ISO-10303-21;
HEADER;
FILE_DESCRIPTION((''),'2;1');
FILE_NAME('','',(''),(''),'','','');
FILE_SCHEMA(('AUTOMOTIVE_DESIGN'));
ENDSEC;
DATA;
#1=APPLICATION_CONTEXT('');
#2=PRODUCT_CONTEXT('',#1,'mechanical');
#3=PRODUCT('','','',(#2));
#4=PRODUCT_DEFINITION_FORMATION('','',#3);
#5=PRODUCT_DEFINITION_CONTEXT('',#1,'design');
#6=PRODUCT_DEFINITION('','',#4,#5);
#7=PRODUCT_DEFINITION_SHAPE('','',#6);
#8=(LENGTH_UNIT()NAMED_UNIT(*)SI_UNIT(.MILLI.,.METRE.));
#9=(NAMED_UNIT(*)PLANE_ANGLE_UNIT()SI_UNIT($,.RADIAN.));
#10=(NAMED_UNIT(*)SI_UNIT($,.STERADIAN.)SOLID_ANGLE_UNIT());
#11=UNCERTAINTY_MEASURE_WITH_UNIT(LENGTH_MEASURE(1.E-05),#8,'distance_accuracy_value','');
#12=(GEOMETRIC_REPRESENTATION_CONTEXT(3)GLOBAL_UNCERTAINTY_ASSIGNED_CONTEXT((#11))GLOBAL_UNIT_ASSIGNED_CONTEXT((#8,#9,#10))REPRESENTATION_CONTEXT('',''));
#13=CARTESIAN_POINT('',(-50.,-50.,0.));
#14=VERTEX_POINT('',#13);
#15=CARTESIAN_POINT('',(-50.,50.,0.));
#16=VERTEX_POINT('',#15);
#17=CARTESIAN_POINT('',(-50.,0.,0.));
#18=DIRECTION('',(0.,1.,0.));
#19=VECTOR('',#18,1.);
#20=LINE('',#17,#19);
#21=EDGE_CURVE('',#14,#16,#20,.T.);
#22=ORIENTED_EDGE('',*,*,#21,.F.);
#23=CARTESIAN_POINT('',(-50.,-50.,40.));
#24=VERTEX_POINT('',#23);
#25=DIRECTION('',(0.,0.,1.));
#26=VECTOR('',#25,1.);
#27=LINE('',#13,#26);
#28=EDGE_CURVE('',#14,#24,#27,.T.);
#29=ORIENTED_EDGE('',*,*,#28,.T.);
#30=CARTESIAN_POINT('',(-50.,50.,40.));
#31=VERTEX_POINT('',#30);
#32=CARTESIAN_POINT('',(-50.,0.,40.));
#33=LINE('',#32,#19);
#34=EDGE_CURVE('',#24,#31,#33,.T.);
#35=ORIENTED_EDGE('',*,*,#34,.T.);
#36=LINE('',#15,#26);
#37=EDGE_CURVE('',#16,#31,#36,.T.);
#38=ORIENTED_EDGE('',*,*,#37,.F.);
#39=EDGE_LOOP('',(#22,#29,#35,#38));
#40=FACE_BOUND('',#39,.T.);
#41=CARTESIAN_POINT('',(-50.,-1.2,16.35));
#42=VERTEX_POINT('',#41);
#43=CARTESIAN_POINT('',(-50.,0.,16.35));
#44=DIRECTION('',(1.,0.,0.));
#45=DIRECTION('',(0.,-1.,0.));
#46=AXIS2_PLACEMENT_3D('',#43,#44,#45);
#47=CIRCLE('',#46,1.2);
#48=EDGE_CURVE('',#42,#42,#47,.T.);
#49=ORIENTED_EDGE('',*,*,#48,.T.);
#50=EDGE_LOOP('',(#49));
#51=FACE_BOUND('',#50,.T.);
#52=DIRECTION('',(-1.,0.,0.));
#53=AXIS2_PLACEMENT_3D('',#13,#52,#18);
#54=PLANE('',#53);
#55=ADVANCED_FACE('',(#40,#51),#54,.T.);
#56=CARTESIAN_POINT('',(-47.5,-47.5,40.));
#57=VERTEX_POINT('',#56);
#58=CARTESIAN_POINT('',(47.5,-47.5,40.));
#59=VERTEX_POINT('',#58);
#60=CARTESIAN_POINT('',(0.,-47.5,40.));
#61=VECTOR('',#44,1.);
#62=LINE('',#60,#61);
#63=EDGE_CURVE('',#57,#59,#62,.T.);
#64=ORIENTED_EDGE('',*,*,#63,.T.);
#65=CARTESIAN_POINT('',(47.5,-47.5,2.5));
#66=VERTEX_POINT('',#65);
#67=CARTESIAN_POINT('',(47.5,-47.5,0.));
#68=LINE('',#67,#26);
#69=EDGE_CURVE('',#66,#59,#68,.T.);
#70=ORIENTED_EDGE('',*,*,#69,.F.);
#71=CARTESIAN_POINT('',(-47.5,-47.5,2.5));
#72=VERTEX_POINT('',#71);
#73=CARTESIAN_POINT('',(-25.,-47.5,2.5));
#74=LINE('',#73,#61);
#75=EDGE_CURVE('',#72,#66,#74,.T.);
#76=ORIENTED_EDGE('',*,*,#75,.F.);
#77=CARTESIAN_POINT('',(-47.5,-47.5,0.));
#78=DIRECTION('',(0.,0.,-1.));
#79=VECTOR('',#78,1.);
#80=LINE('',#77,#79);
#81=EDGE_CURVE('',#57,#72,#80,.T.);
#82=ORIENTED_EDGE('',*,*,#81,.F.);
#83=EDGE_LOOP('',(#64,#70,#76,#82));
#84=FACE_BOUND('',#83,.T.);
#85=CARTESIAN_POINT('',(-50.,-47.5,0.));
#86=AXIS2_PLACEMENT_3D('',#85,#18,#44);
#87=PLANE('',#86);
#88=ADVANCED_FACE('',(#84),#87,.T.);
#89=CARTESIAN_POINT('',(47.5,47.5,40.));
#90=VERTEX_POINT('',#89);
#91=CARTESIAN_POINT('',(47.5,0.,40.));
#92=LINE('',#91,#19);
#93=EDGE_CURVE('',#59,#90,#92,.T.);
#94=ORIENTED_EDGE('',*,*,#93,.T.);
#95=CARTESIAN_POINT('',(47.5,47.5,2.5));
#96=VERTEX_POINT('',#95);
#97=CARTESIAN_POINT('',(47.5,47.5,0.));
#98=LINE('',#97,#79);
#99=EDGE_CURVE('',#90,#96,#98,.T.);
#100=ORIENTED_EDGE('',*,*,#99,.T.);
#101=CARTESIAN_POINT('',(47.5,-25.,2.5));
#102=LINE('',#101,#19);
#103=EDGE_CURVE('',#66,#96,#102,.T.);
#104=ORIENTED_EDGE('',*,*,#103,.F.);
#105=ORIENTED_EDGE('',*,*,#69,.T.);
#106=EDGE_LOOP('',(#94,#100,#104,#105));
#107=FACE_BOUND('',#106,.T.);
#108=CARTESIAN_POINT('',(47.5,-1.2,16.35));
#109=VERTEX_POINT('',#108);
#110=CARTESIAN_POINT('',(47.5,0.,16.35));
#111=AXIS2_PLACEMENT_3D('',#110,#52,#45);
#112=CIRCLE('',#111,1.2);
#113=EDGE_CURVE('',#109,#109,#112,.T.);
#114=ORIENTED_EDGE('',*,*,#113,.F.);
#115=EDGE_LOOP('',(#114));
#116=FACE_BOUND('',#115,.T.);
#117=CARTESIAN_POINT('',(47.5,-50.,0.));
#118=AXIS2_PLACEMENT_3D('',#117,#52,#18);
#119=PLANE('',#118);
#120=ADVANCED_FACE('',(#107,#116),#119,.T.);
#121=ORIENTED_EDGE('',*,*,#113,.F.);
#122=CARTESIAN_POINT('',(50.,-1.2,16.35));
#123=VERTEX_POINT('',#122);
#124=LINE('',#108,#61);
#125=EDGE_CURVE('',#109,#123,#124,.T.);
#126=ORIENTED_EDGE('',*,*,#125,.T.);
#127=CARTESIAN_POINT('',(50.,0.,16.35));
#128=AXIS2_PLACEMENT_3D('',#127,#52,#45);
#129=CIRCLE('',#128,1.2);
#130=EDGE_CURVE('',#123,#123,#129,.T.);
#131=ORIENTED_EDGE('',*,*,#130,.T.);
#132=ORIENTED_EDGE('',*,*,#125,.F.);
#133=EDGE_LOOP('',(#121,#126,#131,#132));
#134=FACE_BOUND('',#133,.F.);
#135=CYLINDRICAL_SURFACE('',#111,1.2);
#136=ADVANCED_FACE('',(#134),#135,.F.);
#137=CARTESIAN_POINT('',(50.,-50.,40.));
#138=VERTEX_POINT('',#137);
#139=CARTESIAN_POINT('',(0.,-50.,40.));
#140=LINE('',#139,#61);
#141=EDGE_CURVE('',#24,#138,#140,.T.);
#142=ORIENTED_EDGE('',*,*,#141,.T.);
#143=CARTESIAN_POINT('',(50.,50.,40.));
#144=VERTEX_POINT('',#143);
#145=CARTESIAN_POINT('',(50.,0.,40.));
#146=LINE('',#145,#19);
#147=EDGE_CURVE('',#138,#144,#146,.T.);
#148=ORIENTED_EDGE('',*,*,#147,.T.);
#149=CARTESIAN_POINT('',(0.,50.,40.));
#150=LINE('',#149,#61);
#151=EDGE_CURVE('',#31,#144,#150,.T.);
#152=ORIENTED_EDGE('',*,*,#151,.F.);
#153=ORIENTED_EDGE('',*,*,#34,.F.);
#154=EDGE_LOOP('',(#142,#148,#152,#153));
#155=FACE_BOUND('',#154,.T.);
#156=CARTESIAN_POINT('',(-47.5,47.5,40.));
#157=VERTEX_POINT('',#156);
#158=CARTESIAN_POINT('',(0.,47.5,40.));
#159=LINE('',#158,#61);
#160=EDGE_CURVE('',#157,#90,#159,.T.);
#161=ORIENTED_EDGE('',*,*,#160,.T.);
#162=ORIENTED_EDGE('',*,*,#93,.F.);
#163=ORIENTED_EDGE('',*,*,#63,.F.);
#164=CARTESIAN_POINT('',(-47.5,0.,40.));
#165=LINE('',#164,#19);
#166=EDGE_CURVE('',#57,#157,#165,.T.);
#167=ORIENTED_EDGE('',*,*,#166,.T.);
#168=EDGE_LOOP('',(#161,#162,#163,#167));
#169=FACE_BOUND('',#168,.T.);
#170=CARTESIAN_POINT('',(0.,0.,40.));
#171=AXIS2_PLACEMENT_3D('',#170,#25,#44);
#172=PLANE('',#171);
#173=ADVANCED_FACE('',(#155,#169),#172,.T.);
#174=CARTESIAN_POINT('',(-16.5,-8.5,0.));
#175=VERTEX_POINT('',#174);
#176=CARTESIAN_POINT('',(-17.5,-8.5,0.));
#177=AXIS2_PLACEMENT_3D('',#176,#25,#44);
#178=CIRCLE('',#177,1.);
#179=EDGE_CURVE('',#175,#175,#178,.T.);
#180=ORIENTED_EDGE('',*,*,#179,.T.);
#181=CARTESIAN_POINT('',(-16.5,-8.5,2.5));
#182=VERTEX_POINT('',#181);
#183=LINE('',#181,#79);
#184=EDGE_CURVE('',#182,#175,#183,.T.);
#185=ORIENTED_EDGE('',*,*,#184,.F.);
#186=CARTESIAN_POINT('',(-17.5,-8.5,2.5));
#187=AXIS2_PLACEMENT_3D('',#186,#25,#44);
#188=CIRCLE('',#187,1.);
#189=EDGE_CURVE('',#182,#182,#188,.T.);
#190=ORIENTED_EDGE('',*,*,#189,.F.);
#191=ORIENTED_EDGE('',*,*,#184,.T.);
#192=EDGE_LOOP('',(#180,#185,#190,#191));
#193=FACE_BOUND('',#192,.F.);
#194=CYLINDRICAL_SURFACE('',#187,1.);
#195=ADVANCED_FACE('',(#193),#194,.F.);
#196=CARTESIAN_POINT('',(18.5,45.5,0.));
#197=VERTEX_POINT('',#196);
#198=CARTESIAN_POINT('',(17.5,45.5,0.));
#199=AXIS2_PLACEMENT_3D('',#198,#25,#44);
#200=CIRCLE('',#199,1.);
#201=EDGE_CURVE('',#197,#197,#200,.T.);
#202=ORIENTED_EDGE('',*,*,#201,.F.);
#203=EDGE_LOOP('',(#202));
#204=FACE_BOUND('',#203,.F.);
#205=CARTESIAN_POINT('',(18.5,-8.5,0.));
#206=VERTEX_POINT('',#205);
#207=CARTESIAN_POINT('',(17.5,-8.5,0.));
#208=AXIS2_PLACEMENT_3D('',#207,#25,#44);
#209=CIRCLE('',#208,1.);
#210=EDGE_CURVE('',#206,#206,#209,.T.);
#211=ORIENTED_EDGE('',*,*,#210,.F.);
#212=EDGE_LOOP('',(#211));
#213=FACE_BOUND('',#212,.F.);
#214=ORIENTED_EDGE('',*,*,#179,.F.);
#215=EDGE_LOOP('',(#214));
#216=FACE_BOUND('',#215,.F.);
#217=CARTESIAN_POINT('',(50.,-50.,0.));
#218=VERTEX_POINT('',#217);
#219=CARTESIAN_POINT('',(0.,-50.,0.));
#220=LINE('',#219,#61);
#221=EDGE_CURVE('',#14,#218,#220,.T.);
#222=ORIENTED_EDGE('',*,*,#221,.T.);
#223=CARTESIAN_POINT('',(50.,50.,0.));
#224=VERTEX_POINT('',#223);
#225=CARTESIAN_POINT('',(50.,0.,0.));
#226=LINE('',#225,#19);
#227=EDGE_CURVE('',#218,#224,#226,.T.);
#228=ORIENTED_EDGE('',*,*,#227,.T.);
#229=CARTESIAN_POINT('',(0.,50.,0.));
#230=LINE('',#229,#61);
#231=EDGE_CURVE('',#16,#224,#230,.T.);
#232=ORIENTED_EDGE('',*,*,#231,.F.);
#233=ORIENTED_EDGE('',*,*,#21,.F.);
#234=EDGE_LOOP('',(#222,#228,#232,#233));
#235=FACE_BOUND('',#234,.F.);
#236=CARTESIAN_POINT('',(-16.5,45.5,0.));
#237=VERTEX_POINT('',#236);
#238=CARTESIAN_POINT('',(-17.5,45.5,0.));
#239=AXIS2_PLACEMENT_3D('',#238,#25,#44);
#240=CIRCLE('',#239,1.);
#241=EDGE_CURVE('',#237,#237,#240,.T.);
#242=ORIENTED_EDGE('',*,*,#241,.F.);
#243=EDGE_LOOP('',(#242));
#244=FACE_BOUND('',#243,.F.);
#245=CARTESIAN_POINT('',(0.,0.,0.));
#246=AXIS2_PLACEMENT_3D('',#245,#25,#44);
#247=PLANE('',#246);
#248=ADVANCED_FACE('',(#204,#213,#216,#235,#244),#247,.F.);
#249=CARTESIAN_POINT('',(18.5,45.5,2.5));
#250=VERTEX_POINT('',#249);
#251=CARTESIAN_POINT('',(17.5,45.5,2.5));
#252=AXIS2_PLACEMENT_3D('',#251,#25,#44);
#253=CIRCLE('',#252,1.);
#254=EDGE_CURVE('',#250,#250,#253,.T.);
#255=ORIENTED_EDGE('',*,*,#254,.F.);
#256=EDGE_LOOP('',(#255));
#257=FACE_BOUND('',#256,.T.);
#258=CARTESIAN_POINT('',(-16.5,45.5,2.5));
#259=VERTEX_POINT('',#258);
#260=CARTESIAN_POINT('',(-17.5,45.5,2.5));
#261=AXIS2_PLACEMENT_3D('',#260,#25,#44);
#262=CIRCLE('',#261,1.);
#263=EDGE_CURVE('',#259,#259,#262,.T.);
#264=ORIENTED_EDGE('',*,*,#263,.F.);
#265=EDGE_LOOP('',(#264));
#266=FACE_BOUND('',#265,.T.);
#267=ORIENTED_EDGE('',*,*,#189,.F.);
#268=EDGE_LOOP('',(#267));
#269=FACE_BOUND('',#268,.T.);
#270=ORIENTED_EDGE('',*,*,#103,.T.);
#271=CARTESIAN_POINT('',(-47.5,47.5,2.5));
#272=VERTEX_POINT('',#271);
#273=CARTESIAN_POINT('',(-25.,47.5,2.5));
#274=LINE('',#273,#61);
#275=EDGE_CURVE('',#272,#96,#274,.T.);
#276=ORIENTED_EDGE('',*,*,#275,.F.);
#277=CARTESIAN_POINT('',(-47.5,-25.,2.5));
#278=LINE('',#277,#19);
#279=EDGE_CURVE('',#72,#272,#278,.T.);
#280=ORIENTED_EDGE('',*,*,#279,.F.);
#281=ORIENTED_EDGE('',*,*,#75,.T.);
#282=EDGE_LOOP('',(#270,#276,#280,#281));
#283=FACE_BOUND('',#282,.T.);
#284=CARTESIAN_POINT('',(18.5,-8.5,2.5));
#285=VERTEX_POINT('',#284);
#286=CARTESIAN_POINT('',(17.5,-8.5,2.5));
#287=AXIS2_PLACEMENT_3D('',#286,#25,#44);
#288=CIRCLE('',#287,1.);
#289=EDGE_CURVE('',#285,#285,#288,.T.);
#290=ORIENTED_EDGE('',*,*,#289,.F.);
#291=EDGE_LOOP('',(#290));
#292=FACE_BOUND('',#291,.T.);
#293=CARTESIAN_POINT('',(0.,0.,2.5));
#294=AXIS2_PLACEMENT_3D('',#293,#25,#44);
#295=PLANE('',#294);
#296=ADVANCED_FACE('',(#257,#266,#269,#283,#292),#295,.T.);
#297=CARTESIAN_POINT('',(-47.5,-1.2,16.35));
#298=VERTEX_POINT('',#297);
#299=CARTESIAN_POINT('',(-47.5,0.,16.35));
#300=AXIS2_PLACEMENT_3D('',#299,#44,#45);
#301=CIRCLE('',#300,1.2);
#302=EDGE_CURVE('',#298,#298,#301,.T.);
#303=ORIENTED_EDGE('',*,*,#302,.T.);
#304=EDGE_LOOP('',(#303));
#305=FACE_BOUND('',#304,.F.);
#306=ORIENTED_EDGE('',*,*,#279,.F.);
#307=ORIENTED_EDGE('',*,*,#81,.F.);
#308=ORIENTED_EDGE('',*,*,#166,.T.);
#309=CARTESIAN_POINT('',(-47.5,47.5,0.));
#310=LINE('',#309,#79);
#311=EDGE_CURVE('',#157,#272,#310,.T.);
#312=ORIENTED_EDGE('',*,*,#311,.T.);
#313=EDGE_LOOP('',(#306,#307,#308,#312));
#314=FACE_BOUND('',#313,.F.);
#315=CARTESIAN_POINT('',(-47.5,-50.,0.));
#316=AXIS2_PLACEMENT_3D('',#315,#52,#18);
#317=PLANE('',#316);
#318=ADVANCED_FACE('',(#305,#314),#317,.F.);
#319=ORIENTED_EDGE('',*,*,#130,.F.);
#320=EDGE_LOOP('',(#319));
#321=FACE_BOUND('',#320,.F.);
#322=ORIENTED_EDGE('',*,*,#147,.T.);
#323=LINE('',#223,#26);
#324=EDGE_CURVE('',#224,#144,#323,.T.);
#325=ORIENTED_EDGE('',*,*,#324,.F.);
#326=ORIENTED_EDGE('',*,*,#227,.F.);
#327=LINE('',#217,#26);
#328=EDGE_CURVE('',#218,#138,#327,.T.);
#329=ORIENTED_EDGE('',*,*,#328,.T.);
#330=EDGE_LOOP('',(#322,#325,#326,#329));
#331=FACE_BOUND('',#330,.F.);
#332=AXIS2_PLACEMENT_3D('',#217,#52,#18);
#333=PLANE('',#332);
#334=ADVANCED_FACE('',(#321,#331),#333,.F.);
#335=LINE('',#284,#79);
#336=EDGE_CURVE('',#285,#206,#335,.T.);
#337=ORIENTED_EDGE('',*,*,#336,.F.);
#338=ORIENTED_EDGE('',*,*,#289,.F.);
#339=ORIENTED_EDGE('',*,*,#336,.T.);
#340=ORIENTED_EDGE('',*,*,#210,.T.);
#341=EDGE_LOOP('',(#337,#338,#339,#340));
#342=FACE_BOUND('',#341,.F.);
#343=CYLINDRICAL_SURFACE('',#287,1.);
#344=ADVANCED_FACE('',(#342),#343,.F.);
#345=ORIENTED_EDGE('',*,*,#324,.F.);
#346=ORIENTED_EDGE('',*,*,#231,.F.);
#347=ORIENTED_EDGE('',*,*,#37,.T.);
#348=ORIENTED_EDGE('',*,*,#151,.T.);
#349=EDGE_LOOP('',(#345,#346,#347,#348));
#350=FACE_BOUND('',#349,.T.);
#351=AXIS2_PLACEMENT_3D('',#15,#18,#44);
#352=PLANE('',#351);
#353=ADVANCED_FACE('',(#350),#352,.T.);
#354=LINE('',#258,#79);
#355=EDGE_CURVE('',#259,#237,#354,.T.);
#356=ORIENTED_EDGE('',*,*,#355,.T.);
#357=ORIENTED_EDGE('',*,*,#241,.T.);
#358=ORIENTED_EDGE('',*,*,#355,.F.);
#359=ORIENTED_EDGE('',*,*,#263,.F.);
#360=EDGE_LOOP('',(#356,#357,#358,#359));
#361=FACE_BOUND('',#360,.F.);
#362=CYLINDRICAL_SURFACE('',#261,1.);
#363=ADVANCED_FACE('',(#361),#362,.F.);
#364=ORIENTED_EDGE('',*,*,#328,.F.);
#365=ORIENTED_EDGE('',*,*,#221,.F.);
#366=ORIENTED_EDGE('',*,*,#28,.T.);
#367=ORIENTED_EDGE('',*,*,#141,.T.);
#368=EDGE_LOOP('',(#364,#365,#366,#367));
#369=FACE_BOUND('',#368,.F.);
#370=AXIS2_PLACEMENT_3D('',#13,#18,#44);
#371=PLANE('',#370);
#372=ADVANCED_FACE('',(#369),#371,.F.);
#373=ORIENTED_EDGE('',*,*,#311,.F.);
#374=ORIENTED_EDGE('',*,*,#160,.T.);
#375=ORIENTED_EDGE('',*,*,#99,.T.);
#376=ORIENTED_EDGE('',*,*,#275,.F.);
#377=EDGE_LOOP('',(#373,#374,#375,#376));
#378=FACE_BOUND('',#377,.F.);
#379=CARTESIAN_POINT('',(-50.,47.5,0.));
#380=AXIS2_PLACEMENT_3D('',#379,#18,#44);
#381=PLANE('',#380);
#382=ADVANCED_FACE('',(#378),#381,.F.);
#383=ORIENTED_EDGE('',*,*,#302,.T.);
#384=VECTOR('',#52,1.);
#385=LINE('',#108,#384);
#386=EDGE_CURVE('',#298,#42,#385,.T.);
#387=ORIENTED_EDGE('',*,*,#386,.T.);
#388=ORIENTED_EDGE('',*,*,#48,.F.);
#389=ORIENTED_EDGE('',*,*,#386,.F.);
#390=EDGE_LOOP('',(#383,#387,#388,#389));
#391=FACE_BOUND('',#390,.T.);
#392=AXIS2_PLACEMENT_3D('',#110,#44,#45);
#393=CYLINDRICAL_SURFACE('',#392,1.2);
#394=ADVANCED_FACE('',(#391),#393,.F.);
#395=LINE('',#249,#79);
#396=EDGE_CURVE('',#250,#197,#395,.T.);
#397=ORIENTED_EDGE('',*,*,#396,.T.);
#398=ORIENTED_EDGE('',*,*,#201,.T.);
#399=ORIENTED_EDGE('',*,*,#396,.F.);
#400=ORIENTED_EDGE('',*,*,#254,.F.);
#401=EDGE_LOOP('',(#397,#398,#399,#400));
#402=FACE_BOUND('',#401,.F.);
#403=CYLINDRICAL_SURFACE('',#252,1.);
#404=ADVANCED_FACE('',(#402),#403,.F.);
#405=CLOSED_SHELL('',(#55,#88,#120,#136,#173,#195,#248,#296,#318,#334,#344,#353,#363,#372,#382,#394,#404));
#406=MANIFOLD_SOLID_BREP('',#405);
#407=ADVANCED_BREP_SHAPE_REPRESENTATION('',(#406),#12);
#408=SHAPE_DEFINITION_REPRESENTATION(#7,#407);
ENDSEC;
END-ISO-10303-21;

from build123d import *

# Parameters (mm, degrees)
F0_W     = 100
F0_H     = 100
F1_DEPTH = 40
F2_T     = -2.5
F3_R     = 1.2
F4_DEPTH = 97.501
F5_DEPTH = 25
F6_R     = 1
F7_DEPTH = 25


with BuildPart() as f1:
    # F0 (on Top) → F1 (new body)
    with BuildSketch(Plane.XY):
        Rectangle(F0_W, F0_H)
    extrude(amount=F1_DEPTH)

    # F2
    f2_openings = [f1.faces().sort_by_distance(p)[0] for p in [
        (0, 0, 40),
    ]]
    offset(amount=F2_T, openings=f2_openings)

    # F3 (on face) → F4 (cut, through all)
    with BuildSketch(Plane(origin=(47.5, 0, 0), x_dir=(0, -1, 0), z_dir=(-1, 0, 0))):
        with Locations((0, 16.35)):
            Circle(F3_R)
    extrude(amount=F4_DEPTH, mode=Mode.SUBTRACT)

    # F3 (on face) → F5 (cut)
    with BuildSketch(Plane(origin=(47.5, 0, 0), x_dir=(0, -1, 0), z_dir=(-1, 0, 0))):
        with Locations((0, 16.35)):
            Circle(F3_R)
    extrude(amount=-F5_DEPTH, mode=Mode.SUBTRACT)

    # F6 (on face) → F7 (cut)
    with BuildSketch(Plane.XY.offset(2.5)):
        with Locations((-17.5, -8.5)):
            Circle(F6_R)
        with Locations((17.5, -8.5)):
            Circle(F6_R)
        with Locations((17.5, 45.5)):
            Circle(F6_R)
        with Locations((-17.5, 45.5)):
            Circle(F6_R)
    extrude(amount=-F7_DEPTH, mode=Mode.SUBTRACT)


solid = f1.part
